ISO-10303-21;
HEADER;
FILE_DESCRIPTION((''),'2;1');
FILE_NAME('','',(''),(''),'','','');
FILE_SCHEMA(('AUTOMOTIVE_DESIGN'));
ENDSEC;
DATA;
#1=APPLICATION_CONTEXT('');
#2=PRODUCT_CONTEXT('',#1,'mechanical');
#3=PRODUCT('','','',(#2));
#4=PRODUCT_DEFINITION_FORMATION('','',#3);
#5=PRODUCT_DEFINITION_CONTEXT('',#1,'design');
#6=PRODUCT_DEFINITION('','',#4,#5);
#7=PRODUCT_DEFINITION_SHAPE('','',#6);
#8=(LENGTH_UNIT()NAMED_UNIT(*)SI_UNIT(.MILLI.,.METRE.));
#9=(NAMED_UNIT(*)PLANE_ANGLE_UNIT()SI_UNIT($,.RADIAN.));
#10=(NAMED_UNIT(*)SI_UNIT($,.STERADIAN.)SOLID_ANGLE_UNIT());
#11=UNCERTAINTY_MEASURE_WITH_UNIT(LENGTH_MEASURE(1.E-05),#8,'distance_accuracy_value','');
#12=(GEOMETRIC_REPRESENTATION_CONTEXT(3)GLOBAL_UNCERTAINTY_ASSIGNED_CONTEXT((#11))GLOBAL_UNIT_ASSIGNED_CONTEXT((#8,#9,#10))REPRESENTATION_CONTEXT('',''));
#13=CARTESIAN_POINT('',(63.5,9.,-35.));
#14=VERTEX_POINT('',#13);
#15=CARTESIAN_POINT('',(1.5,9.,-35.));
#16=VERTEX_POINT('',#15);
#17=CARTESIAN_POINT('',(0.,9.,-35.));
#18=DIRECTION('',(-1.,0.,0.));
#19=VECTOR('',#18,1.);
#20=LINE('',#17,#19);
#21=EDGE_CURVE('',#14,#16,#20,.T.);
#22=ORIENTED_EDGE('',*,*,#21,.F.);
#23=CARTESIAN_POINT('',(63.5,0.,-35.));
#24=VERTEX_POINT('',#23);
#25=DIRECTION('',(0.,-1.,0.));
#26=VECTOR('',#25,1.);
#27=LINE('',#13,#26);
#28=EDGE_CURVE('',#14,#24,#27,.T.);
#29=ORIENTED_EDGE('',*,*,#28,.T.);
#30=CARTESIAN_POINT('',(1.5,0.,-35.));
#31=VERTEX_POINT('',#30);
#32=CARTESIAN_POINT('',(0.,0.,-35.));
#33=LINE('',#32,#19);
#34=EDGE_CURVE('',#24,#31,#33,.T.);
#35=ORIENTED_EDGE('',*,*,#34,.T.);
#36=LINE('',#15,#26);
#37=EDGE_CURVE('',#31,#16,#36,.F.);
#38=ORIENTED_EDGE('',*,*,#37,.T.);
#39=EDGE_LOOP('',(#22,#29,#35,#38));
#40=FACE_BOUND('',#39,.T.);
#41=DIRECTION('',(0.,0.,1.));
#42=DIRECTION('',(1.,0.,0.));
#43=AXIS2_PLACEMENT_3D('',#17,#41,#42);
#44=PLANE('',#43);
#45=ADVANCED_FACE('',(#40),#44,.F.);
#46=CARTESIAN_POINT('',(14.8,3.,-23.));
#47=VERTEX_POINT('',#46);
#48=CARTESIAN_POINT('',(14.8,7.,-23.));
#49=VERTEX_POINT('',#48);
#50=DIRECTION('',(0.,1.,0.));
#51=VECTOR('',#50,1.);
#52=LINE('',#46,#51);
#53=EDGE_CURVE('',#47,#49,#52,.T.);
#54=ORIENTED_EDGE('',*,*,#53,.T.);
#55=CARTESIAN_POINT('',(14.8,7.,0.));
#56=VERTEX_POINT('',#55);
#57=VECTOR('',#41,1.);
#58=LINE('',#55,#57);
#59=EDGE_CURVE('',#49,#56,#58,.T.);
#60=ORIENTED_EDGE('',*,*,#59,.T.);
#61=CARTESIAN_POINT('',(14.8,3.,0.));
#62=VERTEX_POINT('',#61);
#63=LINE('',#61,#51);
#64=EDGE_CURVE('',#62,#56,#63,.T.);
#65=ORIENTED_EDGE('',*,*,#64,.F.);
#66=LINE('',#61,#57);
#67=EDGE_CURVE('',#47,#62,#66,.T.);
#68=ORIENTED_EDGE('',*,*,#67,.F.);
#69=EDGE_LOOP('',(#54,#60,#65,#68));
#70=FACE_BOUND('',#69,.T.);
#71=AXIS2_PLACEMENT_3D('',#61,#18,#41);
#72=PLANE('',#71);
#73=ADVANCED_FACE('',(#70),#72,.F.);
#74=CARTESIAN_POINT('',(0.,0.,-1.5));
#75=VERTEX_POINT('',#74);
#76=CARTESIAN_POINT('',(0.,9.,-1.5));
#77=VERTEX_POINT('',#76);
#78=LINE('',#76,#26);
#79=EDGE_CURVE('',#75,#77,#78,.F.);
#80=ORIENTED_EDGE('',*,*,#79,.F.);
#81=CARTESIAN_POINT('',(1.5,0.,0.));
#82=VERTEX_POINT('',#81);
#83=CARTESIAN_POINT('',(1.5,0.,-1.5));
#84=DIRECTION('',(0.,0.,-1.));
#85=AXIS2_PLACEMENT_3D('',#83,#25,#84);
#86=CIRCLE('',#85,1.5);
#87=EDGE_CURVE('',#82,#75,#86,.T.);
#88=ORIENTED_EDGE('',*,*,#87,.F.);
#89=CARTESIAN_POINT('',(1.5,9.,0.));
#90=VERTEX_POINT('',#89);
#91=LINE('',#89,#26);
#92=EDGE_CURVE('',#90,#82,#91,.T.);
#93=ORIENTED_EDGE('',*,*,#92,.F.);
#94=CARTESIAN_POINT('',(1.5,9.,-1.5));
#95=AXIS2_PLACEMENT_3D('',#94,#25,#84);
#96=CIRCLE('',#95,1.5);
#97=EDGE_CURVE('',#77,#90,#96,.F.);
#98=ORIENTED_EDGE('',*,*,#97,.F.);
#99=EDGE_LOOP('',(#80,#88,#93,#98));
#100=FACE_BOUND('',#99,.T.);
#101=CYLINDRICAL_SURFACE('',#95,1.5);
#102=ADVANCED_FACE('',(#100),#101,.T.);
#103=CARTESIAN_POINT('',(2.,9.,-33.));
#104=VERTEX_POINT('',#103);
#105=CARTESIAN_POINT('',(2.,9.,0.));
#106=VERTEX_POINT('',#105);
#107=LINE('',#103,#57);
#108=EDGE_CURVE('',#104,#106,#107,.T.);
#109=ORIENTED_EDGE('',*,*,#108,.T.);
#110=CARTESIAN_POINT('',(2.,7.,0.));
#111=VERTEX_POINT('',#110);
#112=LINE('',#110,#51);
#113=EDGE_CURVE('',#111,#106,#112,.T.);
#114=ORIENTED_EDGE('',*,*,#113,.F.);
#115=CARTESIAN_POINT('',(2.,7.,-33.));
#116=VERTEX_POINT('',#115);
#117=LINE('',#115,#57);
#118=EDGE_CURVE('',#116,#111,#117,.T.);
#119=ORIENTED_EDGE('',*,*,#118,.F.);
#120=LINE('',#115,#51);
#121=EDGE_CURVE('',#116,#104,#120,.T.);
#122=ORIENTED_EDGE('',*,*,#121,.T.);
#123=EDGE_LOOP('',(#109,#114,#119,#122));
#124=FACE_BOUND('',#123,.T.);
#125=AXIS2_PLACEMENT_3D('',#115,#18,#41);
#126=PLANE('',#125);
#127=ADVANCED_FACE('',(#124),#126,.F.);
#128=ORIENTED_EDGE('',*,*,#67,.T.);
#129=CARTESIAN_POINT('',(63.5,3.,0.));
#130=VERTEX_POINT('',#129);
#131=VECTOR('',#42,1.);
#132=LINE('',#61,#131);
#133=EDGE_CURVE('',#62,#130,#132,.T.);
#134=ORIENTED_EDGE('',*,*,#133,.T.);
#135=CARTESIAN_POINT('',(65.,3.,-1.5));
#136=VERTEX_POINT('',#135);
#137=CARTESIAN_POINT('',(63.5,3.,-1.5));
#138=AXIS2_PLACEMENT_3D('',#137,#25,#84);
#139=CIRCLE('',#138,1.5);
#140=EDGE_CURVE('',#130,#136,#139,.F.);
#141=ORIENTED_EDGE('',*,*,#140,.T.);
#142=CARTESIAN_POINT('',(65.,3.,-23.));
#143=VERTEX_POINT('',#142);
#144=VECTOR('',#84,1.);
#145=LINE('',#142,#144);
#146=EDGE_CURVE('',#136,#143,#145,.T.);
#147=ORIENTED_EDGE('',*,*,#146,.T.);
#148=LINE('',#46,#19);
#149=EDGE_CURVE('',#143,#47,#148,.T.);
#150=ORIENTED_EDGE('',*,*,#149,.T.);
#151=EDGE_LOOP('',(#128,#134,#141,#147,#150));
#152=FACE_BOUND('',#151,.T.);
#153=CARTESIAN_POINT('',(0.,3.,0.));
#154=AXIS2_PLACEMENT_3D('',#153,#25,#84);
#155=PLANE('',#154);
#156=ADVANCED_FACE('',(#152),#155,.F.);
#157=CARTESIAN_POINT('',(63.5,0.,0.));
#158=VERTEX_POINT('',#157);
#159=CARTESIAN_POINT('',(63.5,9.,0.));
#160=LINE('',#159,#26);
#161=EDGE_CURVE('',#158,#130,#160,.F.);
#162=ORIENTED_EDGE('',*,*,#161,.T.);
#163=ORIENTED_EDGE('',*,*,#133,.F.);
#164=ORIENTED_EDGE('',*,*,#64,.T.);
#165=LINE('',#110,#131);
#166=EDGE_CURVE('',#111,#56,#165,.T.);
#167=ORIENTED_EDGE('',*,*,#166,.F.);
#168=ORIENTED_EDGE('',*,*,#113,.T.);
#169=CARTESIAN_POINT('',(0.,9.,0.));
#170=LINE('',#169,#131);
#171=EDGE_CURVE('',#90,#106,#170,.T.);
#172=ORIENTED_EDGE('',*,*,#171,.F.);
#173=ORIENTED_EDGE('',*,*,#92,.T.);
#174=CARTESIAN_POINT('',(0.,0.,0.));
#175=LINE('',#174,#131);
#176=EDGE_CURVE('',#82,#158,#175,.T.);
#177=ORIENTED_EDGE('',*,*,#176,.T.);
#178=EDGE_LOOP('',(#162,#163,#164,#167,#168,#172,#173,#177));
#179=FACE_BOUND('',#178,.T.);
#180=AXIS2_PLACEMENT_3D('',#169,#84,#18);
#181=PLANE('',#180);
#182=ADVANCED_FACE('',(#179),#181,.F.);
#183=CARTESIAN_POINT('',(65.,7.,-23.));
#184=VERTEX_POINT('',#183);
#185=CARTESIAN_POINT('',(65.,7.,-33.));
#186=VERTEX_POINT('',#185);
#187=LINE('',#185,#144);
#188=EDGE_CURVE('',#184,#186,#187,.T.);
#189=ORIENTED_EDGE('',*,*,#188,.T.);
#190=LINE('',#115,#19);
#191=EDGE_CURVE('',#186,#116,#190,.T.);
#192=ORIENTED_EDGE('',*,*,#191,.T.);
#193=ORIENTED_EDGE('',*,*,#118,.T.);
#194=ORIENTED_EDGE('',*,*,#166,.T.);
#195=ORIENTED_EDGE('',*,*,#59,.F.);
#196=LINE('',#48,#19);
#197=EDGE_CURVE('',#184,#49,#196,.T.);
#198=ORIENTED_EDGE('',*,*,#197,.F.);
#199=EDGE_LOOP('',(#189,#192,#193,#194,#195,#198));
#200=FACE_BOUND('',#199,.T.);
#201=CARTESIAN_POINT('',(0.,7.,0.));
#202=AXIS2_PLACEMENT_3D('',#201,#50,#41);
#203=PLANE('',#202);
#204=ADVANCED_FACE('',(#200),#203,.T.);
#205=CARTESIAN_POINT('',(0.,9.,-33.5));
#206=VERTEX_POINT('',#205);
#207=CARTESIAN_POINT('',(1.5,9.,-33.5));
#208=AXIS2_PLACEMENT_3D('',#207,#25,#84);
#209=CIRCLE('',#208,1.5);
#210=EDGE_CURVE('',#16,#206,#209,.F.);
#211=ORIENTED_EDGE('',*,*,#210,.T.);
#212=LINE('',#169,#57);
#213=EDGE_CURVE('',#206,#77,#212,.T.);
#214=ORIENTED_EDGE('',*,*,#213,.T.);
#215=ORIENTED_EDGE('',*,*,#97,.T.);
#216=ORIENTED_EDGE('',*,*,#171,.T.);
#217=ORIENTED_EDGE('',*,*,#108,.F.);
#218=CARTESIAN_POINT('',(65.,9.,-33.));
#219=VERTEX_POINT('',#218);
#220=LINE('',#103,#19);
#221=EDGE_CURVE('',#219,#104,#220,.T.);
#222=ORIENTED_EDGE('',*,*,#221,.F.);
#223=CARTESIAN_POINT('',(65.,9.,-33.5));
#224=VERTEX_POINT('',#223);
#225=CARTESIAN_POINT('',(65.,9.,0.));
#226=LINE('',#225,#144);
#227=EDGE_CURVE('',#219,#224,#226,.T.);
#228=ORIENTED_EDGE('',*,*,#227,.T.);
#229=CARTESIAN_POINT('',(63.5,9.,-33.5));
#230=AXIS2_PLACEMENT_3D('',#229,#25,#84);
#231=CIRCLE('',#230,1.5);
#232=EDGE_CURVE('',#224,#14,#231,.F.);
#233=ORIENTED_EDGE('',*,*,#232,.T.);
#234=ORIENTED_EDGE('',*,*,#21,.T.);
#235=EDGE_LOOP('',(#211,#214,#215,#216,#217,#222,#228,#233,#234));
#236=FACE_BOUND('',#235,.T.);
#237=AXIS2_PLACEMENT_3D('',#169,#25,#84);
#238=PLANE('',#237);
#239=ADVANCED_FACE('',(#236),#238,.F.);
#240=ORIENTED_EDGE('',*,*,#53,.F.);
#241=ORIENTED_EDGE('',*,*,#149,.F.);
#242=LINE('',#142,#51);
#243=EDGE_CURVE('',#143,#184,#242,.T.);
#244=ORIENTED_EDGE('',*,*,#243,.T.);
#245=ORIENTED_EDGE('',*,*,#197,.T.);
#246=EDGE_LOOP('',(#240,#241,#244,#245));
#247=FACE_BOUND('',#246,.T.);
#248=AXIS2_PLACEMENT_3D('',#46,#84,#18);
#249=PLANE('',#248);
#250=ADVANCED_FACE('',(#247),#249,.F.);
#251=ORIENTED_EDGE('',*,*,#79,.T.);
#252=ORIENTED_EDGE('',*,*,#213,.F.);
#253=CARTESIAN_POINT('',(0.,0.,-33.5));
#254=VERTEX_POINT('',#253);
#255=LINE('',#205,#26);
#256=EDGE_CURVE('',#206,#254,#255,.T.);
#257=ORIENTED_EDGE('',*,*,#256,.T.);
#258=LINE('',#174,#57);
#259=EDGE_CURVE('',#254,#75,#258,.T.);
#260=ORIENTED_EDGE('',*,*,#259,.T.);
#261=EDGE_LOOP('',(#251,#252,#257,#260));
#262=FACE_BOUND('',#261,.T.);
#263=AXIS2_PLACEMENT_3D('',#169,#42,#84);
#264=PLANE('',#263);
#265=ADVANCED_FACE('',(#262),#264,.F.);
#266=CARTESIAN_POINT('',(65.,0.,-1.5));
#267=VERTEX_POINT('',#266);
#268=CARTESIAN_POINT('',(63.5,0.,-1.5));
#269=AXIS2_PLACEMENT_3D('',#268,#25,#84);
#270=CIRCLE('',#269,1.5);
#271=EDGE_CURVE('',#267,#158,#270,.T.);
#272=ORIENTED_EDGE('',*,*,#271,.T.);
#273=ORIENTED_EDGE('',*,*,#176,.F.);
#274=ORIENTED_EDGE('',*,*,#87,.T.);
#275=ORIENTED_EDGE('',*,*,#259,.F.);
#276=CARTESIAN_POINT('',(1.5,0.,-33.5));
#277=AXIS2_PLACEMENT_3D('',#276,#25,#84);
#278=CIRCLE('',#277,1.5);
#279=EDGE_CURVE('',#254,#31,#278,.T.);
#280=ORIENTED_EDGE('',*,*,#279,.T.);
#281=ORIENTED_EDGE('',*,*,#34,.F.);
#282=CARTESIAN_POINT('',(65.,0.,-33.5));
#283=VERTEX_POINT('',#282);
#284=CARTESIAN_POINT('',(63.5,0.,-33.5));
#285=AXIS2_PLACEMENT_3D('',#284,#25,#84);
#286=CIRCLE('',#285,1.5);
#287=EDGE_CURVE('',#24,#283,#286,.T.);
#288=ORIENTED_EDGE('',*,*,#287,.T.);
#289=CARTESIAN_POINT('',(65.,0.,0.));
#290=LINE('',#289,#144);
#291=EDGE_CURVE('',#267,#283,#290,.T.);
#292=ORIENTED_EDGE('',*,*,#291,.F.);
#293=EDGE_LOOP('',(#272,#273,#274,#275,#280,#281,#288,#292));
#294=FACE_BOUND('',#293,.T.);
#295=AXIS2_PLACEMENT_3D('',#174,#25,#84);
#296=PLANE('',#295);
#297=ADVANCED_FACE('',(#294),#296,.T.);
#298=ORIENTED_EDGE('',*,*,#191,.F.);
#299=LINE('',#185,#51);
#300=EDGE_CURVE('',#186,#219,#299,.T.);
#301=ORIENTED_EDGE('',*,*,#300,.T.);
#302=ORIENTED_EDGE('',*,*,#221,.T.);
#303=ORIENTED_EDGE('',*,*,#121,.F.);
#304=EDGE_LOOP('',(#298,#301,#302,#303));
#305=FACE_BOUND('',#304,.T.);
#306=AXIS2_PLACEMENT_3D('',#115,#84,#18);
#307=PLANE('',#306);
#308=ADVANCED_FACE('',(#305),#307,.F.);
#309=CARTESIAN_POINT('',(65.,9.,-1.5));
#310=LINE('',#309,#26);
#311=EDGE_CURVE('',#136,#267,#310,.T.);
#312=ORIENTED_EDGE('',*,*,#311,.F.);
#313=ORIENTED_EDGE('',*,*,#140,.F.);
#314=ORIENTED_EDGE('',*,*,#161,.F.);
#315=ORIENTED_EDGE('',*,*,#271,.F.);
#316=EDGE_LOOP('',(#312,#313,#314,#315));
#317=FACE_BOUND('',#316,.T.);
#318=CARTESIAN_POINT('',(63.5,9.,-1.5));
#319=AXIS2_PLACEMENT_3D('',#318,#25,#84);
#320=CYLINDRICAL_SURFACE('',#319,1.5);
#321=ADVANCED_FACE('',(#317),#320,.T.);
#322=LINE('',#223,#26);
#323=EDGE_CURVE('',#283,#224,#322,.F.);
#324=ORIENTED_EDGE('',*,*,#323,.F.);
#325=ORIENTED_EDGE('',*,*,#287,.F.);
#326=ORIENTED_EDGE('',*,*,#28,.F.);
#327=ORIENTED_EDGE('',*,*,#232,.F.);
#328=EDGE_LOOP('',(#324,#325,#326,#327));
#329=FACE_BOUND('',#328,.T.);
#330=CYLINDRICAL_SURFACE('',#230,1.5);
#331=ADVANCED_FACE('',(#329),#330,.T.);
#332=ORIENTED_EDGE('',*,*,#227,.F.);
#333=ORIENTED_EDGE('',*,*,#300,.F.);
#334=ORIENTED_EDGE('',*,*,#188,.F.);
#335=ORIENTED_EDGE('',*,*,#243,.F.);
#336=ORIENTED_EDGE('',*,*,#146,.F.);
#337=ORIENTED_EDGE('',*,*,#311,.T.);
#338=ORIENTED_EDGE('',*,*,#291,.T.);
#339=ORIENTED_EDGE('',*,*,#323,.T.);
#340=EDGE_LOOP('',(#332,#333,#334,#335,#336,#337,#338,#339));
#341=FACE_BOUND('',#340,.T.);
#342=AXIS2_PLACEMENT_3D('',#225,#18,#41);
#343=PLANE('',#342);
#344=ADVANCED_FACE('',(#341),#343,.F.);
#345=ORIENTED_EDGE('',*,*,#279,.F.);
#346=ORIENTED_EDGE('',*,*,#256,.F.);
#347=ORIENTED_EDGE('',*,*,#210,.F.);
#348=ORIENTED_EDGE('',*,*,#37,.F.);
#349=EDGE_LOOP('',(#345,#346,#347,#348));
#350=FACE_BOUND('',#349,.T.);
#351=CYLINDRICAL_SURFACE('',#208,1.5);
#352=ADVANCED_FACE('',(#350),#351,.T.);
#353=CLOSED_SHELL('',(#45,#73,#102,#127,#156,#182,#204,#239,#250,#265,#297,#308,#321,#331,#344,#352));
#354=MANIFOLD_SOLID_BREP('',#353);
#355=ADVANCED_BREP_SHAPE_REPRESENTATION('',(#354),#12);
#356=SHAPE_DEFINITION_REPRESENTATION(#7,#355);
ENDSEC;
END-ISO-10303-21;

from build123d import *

# Parameters (mm, degrees)
SKETCH1_W           = 65
SKETCH1_H           = 35
BOSS_EXTRUDE1_DEPTH = 9
SKETCH2_W           = 63
SKETCH2_H           = 33
CUT_EXTRUDE1_DEPTH  = 2
SKETCH3_W           = 50.2
SKETCH3_H           = 23
CUT_EXTRUDE2_DEPTH  = 4
FILLET1_R           = 1.5


with BuildPart() as part:
    # Sketch1 → Boss-Extrude1 (new body)
    with BuildSketch(Plane(origin=(0, 0, 0), x_dir=(1, 0, 0), z_dir=(0, 1, 0))):
        with Locations((32.5, 17.5)):
            Rectangle(SKETCH1_W, SKETCH1_H)
    extrude(amount=BOSS_EXTRUDE1_DEPTH)

    # Sketch2 → Cut-Extrude1 (cut)
    with BuildSketch(Plane(origin=(0, 9, 0), x_dir=(1, 0, 0), z_dir=(0, 1, 0))):
        with Locations((33.5, 16.5)):
            Rectangle(SKETCH2_W, SKETCH2_H)
    extrude(amount=-CUT_EXTRUDE1_DEPTH, mode=Mode.SUBTRACT)

    # Sketch3 → Cut-Extrude2 (cut)
    with BuildSketch(Plane(origin=(0, 7, 0), x_dir=(1, 0, 0), z_dir=(0, 1, 0))):
        with Locations((39.9, 11.5)):
            Rectangle(SKETCH3_W, SKETCH3_H)
    extrude(amount=-CUT_EXTRUDE2_DEPTH, mode=Mode.SUBTRACT)

    # Fillet1
    fillet1_edges = [part.edges().sort_by_distance(p)[0] for p in [
        (65, 1.5, 0),
        (0, 4.5, -35),
        (65, 4.5, -35),
        (0, 4.5, 0),
    ]]
    fillet(fillet1_edges, radius=FILLET1_R)


solid = part.part
